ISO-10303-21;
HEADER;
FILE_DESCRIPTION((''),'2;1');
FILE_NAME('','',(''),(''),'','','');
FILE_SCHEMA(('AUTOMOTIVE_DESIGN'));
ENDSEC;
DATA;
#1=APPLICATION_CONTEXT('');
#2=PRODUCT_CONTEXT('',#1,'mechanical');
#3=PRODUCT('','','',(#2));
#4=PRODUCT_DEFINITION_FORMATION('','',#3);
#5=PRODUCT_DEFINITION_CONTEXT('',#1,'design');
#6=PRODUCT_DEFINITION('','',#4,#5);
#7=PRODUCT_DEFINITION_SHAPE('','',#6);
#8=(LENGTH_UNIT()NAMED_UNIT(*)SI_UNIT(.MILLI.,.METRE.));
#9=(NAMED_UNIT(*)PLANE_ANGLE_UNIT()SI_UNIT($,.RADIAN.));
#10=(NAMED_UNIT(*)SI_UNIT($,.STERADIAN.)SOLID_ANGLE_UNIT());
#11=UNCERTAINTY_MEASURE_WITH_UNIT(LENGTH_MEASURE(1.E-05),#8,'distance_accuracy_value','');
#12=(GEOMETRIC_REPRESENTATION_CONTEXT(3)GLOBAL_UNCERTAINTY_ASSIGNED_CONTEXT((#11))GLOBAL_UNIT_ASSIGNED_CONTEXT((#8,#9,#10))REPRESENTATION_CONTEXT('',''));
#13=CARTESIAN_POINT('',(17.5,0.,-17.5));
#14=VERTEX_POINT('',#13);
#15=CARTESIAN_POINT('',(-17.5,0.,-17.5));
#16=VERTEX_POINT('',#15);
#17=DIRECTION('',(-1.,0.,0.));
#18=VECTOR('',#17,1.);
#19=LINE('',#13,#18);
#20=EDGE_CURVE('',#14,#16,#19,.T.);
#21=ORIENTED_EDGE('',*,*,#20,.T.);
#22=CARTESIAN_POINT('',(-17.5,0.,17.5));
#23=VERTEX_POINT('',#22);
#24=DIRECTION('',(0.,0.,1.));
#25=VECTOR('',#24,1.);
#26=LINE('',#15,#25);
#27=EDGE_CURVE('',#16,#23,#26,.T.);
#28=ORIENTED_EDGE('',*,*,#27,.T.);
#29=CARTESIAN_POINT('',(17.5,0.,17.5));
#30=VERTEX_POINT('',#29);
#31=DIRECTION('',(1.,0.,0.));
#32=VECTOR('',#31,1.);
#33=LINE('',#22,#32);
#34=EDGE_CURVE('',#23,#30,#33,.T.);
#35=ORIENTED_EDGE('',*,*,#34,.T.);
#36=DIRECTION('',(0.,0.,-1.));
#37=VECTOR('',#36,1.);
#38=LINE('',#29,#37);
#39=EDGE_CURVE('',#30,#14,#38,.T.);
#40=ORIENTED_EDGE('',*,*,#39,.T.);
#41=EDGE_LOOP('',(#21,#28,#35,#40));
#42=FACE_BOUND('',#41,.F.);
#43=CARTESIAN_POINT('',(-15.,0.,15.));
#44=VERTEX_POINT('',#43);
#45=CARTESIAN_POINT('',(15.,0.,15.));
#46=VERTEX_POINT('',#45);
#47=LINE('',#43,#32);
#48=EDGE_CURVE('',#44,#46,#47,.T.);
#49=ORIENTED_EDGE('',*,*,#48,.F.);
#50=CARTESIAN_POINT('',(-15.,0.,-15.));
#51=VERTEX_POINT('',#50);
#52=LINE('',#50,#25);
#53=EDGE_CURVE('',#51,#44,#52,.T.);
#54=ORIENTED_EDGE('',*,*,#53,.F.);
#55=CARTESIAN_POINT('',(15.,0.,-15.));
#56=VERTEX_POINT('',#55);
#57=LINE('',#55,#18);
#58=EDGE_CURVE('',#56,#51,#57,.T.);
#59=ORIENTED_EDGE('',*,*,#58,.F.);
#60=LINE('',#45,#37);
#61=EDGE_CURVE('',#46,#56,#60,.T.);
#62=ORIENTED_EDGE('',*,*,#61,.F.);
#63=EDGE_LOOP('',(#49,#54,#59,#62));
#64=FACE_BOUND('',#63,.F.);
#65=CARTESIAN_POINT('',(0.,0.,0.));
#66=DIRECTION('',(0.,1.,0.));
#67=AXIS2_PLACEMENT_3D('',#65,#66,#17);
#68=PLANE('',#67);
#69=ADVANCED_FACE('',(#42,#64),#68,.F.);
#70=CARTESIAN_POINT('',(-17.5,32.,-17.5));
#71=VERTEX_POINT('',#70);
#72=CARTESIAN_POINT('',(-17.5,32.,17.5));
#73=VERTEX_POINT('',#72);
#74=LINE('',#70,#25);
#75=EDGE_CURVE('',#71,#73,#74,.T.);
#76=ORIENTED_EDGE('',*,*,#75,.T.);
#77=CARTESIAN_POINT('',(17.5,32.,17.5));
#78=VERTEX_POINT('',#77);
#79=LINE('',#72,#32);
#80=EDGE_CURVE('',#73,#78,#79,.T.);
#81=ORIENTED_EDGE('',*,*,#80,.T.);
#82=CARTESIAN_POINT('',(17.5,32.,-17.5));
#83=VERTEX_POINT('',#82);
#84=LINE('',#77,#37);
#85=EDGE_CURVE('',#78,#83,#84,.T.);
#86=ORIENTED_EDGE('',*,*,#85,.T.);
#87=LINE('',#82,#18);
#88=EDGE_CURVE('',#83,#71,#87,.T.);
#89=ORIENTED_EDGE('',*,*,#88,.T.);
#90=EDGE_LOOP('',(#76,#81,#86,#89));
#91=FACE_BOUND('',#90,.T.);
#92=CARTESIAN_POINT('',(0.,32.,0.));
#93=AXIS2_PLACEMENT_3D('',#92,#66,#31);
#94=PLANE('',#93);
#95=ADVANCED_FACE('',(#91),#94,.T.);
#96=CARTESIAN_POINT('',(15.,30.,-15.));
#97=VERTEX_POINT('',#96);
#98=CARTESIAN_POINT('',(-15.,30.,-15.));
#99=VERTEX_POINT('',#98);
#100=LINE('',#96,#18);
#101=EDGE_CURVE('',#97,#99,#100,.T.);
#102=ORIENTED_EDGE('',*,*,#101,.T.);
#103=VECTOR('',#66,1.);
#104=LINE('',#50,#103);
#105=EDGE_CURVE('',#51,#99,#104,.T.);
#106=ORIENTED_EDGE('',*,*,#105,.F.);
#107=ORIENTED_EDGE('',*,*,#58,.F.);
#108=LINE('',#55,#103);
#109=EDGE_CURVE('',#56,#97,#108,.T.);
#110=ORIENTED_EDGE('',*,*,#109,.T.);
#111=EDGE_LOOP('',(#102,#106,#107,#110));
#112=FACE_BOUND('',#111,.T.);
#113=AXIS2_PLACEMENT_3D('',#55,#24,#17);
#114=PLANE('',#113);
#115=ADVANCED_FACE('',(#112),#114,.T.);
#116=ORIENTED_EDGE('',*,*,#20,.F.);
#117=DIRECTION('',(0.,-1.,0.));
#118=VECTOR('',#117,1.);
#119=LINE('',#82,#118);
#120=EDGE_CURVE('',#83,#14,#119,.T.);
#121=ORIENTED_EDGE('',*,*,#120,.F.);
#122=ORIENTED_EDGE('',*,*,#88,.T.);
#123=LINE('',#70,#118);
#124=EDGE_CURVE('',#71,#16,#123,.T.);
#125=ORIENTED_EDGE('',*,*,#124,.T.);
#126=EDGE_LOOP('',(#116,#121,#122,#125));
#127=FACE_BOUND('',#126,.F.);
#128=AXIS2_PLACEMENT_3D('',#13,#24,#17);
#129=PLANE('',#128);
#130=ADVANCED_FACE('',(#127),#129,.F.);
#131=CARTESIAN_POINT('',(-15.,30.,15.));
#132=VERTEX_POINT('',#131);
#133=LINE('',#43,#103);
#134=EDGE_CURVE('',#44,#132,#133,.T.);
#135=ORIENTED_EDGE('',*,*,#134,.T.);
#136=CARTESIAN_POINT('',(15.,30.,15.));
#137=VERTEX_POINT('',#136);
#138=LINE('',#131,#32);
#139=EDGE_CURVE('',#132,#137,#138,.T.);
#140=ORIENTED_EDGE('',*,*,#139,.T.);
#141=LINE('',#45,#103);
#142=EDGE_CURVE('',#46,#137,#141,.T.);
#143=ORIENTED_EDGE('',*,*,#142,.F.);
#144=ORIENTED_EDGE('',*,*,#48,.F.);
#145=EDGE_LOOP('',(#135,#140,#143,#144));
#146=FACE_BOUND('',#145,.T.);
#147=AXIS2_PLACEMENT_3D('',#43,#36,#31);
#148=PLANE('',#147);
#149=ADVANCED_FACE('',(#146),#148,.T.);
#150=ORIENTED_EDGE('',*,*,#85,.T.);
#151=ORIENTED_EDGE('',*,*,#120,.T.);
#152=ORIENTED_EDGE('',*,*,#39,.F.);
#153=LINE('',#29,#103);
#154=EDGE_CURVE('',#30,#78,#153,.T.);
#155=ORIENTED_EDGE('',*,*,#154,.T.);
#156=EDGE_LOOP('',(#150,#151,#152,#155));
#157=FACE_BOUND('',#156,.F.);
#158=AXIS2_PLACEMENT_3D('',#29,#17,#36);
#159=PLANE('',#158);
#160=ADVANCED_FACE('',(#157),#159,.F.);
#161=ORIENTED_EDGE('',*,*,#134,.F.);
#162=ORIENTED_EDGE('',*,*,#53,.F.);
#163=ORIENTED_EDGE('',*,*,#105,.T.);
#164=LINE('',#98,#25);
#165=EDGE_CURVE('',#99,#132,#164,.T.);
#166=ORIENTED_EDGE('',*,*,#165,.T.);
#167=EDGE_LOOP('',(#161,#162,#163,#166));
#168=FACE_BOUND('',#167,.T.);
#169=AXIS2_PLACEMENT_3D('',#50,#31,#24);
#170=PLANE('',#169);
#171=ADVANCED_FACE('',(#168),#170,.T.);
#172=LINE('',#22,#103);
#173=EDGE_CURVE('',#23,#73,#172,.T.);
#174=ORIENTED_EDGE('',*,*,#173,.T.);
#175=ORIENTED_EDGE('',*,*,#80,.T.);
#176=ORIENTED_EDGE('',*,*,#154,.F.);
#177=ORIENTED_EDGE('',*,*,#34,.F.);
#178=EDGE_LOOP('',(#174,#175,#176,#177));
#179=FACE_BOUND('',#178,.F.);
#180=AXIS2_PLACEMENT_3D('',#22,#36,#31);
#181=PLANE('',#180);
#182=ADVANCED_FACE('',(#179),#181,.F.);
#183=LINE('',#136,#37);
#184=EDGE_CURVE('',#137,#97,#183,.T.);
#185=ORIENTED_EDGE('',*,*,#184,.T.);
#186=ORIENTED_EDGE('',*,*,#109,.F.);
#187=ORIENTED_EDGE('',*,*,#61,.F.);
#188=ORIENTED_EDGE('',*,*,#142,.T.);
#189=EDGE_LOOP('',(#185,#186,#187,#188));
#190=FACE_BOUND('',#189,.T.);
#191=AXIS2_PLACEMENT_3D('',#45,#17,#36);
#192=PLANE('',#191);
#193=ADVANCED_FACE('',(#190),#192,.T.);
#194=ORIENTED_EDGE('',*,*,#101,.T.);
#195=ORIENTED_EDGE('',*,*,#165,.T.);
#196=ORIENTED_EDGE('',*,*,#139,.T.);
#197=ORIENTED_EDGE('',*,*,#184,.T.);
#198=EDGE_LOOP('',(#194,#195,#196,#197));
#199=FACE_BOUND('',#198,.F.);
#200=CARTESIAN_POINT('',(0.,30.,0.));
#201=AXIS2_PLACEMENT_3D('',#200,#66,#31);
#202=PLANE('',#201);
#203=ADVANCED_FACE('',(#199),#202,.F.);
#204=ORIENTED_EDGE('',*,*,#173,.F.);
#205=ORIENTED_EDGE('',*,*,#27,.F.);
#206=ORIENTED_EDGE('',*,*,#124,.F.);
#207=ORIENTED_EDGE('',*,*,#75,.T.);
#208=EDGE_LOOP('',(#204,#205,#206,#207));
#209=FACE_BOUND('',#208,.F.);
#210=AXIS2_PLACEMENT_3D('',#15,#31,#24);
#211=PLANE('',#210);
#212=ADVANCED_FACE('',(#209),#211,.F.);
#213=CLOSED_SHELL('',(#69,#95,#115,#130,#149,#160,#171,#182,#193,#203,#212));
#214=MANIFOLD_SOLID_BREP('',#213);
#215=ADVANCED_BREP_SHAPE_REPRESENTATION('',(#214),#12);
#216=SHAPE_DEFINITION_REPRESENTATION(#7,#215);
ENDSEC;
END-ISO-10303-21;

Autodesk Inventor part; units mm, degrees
ref_plane "YZ Plane" through (0, 0, 0) normal (1, 0, 0) x (0, 1, 0)
ref_plane "XZ Plane" through (0, 0, 0) normal (0, 1, 0) x (-1, 0, 0)
ref_plane "XY Plane" through (0, 0, 0) normal (0, 0, 1) x (1, 0, 0)
sketch "Sketch1" plane through (0, 0, 0) normal (0, 1, 0) x (-1, 0, 0)
  line L0 (0, -24.5) -> (0, 24.5) construction
  line L1 (-24.5, 0) -> (24.5, 0) construction
  line L2 (17.5, 17.5) -> (-17.5, 17.5)
  line L3 (-17.5, 17.5) -> (-17.5, -17.5)
  line L4 (-17.5, -17.5) -> (17.5, -17.5)
  line L5 (17.5, -17.5) -> (17.5, 17.5)
  line L6 (15, 15) -> (-15, 15)
  line L7 (-15, 15) -> (-15, -15)
  line L8 (-15, -15) -> (15, -15)
  line L9 (15, -15) -> (15, 15)
  point P0 (0, 0)
  dimension "d0" = 35
  dimension "d1" = 35
  dimension "d2" = 30
  dimension "d3" = 30
extrude "Extrusion1" add sketch "Sketch1" along normal blind 30
sketch "Sketch2" plane through (0, 30, 0) normal (0, 1, 0) x (1, 0, 0)
  line L0 (-17.5, 17.5) -> (-17.5, -17.5) projected
  line L1 (-17.5, -17.5) -> (17.5, -17.5) projected
  line L2 (17.5, -17.5) -> (17.5, 17.5) projected
  line L3 (17.5, 17.5) -> (-17.5, 17.5) projected
  point P0 (0, 0)
extrude "Extrusion2" add sketch "Sketch2" along normal blind 2
properties part number "UG-752-30x30x32mm" material "Glass"
